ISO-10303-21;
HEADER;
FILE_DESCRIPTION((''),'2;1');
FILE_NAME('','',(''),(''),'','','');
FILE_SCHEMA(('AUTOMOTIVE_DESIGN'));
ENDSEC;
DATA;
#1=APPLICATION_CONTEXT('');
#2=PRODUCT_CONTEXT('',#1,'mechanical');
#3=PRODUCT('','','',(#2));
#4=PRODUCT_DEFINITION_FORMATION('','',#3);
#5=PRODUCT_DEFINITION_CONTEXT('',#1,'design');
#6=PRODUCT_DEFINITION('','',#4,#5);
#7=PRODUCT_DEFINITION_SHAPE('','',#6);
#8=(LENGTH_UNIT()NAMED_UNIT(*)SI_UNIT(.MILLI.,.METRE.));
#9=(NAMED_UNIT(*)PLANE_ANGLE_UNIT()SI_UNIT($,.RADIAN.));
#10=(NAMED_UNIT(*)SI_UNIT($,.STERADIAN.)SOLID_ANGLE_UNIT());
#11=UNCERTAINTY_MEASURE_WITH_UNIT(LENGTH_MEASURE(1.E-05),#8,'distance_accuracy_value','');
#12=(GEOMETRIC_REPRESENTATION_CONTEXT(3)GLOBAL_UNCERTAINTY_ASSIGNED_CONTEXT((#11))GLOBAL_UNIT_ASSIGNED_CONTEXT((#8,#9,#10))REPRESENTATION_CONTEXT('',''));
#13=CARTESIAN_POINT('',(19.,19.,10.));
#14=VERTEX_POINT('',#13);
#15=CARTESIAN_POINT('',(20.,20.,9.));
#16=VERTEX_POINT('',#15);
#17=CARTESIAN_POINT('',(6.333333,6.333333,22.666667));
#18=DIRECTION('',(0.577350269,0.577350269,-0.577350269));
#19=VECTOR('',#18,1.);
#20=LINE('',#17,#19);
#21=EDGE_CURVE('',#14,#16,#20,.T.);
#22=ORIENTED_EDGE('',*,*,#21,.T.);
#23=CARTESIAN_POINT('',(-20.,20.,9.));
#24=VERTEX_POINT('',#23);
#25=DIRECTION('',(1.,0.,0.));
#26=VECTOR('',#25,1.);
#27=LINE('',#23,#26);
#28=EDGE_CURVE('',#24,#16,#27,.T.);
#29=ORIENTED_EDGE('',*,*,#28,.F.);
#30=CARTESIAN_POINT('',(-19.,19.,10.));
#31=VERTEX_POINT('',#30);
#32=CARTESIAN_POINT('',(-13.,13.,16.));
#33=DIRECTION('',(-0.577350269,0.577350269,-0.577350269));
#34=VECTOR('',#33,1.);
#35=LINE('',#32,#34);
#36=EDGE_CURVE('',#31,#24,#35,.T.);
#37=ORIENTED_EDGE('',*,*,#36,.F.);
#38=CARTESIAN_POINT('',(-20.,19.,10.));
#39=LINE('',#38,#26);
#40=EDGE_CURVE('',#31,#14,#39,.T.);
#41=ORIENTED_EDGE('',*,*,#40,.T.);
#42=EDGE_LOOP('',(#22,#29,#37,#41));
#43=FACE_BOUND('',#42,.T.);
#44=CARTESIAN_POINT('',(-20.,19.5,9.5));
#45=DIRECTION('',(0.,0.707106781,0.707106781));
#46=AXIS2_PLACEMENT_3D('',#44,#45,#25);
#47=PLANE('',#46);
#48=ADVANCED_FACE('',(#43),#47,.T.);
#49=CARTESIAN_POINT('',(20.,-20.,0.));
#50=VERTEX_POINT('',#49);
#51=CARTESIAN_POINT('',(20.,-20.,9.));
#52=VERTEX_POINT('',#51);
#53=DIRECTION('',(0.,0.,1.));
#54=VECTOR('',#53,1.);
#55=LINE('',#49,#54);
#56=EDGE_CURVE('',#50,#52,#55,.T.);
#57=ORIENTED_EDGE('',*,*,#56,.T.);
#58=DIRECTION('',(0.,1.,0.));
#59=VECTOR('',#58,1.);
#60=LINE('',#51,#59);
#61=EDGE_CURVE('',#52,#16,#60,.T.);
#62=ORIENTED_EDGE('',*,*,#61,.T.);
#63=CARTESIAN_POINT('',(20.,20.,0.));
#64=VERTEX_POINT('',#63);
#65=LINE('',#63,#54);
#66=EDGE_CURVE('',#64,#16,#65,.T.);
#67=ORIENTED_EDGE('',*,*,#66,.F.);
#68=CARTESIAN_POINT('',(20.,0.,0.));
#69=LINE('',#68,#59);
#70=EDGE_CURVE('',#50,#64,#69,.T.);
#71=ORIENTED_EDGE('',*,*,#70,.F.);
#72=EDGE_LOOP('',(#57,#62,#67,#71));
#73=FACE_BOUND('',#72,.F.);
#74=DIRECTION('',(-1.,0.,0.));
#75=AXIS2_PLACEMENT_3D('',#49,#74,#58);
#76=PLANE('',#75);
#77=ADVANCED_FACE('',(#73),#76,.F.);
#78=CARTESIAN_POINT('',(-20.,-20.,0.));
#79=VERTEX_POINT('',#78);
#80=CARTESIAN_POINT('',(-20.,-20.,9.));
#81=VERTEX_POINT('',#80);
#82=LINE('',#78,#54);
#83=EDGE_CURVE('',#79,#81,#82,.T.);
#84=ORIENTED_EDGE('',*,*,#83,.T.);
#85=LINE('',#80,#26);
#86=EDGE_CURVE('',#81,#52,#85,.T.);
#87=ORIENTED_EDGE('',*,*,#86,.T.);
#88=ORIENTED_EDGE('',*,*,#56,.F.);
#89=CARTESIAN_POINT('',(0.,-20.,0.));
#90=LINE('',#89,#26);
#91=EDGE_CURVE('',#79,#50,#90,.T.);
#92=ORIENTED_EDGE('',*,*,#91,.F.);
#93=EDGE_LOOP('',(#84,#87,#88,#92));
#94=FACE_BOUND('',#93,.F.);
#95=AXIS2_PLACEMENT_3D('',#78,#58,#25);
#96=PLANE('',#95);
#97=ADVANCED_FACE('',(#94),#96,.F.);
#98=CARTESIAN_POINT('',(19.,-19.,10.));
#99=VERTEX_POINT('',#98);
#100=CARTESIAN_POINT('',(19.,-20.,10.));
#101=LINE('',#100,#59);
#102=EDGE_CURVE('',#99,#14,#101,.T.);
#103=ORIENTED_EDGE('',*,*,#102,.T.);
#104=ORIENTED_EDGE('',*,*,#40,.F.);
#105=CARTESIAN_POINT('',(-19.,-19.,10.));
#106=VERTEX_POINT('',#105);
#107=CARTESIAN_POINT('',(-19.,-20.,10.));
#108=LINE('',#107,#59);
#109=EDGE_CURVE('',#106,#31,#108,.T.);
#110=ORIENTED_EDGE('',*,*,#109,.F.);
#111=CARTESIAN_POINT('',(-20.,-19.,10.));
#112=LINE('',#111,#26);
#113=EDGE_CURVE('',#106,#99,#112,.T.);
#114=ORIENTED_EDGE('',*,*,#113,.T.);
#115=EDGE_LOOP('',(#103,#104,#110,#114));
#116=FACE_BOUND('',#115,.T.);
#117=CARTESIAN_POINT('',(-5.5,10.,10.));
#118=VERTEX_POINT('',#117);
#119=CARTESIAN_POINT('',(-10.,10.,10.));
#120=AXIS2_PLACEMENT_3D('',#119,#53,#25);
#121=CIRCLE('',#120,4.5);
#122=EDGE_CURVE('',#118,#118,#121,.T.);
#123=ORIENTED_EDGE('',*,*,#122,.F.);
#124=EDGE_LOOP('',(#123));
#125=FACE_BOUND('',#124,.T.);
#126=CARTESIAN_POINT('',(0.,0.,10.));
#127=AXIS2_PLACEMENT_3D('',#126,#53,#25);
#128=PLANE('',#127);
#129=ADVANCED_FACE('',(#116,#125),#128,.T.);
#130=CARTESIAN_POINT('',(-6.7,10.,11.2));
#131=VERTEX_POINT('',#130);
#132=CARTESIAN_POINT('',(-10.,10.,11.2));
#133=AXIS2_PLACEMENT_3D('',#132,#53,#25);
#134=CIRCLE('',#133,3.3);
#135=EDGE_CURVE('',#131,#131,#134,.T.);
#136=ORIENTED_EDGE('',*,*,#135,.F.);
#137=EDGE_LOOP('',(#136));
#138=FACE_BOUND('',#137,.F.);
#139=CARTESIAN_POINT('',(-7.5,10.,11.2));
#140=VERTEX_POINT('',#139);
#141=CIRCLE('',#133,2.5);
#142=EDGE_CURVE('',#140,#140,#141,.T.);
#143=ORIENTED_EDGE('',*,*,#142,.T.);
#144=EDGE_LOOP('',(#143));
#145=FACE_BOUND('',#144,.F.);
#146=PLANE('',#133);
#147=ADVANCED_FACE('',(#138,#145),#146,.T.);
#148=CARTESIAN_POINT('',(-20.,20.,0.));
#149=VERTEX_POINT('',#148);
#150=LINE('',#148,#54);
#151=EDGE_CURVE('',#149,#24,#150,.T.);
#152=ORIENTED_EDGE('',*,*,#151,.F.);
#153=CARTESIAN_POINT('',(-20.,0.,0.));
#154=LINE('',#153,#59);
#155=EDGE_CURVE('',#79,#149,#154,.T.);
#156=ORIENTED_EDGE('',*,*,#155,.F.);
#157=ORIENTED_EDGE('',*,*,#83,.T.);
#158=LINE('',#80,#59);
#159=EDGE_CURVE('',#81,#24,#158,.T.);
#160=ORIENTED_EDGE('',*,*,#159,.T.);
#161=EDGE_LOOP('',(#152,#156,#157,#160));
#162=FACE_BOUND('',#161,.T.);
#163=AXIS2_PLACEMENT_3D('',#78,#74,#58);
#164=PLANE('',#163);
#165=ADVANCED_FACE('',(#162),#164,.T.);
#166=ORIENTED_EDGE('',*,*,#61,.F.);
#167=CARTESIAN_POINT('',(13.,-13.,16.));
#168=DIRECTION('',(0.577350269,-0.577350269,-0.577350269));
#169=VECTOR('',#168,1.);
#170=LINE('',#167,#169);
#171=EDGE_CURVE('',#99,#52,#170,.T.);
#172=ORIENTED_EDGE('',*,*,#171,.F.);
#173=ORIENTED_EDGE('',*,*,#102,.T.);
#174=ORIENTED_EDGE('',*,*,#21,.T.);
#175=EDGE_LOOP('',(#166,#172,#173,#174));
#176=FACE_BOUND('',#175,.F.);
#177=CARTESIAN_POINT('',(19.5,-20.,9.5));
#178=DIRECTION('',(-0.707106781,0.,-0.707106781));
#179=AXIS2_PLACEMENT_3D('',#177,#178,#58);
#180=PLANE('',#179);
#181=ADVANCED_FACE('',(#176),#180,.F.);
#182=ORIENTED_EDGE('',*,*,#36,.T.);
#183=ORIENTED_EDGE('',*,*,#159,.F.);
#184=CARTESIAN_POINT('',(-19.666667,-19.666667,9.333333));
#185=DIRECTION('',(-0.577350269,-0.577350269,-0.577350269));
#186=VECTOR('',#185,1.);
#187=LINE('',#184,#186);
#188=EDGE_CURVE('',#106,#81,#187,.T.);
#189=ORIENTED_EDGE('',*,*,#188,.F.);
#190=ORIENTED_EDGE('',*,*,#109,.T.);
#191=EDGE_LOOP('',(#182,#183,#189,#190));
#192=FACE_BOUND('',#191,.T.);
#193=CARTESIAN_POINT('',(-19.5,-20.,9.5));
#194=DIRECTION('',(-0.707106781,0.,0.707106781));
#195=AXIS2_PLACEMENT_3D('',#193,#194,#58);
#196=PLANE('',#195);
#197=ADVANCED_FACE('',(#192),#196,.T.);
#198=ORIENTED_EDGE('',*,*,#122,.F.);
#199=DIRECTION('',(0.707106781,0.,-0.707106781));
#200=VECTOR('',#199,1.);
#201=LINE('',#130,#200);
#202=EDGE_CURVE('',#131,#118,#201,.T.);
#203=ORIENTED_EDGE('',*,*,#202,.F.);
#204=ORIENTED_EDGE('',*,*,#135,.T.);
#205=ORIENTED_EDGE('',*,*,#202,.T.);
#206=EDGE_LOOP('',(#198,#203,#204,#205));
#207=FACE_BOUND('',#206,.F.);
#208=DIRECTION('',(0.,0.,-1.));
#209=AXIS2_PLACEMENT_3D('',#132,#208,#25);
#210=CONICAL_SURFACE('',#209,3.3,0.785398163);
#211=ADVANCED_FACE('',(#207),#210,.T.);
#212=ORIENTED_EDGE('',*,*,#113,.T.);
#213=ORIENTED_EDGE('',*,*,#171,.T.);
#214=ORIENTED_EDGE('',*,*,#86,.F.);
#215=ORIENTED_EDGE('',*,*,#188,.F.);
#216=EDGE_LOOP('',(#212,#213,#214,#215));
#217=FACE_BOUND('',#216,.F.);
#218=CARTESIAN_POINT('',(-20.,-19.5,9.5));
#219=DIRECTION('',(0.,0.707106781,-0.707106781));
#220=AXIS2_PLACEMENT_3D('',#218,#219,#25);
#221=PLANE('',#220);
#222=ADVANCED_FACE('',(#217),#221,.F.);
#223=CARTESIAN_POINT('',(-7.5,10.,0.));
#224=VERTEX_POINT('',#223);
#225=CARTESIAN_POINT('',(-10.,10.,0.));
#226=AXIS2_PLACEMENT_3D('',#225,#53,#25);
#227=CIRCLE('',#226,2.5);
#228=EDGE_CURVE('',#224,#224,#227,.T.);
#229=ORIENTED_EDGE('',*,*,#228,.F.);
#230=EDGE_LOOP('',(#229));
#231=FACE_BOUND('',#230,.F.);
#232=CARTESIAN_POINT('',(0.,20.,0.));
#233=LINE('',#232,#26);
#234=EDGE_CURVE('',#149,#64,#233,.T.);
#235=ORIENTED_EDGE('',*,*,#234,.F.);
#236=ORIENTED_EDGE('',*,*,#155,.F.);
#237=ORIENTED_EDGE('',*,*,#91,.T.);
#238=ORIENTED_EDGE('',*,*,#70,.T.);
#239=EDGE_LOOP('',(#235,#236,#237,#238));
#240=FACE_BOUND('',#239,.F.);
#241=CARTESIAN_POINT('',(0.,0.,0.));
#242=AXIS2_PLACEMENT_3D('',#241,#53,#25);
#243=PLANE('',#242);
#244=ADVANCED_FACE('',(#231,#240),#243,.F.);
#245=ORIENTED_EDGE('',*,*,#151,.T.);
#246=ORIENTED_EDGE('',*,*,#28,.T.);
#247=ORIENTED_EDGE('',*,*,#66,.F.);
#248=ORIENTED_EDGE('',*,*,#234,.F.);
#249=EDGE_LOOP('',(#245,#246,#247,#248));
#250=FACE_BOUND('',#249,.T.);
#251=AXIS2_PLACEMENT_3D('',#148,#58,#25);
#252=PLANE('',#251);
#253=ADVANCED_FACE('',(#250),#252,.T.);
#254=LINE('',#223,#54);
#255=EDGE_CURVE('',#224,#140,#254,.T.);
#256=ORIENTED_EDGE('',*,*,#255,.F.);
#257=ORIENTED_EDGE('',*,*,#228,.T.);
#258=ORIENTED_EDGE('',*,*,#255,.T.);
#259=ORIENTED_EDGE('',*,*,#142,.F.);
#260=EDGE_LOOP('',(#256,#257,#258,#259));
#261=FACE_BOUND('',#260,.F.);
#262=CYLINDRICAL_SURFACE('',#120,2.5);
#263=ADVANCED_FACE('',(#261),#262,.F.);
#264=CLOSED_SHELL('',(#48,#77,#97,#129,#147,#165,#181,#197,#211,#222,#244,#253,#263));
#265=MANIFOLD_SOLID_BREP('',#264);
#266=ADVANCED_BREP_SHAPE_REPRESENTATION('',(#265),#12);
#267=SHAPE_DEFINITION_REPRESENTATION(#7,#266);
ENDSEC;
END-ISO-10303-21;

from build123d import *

# Parameters (mm, degrees)
SKETCH_W     = 40
SKETCH_H     = 40
SKETCH_R     = 2.5
PAD_DEPTH    = 10
CHAMFER_SIZE = 1


with BuildPart() as part:
    # Sketch → Pad (new body)
    with BuildSketch(Plane.XY):
        Rectangle(SKETCH_W, SKETCH_H)
        with Locations((-10, 10)):
            Circle(SKETCH_R, mode=Mode.SUBTRACT)
    extrude(amount=PAD_DEPTH)

    # Sketch001 → Revolution (revolve)
    with BuildSketch(Plane(origin=(-10, 10, 0), x_dir=(1, 0, 0), z_dir=(0, -1, 0))):
        Polygon((2.5, 11.2), (3.3, 11.2), (4.5, 10), (2.5, 10), align=None)
    revolve(axis=Axis((-10, 10, 0), (0, 0, 1)))

    # Chamfer
    chamfer_edges = [part.edges().sort_by_distance(p)[0] for p in [
        (0, -20, 10),
        (-20, 0, 10),
        (0, 20, 10),
        (20, 0, 10),
    ]]
    chamfer(chamfer_edges, length=CHAMFER_SIZE)


solid = part.part
